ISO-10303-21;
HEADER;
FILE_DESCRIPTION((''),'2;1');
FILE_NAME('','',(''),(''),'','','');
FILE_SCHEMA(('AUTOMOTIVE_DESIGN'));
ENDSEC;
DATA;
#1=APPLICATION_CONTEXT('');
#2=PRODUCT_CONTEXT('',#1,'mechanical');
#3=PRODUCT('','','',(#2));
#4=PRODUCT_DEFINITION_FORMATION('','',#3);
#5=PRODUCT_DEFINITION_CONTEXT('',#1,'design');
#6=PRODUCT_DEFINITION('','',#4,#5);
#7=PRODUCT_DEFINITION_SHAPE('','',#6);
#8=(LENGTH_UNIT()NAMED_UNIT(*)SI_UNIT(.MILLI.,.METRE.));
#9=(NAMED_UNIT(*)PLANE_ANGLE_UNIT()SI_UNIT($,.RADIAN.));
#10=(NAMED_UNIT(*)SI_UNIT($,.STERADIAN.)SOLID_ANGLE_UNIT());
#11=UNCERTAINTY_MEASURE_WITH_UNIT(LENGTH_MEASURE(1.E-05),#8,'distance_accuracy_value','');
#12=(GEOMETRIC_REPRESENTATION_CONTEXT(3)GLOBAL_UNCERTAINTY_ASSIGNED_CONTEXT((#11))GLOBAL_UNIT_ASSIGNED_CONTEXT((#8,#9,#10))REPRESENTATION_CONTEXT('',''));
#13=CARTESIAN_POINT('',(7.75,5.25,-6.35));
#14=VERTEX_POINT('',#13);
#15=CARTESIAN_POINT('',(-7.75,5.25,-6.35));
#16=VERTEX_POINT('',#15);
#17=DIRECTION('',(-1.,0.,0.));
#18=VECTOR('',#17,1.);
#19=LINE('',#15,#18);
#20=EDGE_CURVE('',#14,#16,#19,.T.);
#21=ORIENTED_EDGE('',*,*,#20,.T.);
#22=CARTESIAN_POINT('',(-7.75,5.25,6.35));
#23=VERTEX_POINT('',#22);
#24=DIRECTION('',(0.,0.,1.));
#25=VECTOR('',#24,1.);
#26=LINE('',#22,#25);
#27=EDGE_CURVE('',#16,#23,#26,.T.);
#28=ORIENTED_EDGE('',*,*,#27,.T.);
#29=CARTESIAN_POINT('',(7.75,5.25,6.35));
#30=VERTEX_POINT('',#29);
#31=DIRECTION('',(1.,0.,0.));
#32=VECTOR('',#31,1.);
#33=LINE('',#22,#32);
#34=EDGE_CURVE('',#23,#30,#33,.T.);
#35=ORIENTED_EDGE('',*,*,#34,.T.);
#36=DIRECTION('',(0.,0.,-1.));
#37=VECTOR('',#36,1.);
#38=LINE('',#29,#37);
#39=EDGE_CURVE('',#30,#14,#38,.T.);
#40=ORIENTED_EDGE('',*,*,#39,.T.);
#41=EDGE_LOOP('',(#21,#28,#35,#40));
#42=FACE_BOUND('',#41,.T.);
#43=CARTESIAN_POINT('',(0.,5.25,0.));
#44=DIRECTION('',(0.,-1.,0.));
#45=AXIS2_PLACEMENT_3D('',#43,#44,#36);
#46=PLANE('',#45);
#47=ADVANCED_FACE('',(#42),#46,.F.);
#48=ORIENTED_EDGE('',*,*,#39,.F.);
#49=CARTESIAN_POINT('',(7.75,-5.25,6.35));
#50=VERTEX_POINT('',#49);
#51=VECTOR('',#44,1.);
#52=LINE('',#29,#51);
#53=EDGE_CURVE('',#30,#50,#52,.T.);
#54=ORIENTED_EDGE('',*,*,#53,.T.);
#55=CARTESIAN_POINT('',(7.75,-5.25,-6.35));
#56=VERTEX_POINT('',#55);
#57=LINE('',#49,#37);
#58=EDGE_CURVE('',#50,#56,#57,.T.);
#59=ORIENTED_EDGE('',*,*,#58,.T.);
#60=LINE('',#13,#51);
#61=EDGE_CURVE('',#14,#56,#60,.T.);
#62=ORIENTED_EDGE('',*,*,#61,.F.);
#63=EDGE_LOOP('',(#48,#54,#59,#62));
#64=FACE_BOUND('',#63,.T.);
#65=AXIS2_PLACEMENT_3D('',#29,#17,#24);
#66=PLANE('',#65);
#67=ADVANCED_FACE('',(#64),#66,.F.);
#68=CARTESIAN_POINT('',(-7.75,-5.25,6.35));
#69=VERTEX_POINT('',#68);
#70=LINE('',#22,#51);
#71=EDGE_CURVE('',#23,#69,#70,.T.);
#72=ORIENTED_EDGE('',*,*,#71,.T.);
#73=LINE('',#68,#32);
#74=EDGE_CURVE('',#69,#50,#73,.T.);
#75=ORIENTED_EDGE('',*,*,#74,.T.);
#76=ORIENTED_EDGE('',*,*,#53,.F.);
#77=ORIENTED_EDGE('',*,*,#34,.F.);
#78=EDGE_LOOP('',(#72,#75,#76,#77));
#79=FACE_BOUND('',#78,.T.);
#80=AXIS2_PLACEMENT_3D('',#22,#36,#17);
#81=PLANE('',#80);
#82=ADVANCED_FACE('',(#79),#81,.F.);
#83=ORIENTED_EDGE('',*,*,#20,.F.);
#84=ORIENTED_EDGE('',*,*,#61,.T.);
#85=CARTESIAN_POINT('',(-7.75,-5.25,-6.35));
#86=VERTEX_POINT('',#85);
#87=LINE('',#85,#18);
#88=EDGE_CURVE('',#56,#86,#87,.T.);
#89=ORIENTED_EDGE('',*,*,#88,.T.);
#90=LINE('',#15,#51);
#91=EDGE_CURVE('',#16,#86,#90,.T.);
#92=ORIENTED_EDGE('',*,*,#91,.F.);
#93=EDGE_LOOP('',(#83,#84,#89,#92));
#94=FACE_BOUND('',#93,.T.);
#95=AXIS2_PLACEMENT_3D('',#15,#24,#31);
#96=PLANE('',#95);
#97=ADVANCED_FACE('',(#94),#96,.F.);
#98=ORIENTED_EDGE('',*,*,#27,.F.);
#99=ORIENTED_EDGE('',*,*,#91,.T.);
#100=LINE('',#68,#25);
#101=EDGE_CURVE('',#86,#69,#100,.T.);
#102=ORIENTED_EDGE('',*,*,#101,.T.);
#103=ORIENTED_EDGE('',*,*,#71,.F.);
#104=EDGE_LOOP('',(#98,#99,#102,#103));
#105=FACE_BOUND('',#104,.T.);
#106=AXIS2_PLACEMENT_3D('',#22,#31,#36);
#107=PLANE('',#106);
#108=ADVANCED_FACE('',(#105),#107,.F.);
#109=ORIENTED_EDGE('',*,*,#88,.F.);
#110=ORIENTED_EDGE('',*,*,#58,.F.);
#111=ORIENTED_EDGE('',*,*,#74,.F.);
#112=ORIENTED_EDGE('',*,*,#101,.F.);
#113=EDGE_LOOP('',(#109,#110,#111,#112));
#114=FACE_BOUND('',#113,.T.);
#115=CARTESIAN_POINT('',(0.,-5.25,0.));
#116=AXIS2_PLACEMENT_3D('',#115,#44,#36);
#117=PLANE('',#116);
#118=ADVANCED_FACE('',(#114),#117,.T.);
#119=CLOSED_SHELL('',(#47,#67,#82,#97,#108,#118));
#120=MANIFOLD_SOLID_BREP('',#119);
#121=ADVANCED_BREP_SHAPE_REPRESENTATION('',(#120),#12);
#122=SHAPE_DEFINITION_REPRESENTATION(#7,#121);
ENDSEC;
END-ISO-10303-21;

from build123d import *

# Parameters (mm, degrees)
CROQUIS1_W              = 15.5
CROQUIS1_H              = 12.7
SALIENTE_EXTRUIR1_DEPTH = 5.25


with BuildPart() as part:
    # Croquis1 → Saliente-Extruir1 (new, symmetric)
    with BuildSketch(Plane(origin=(0, 0, 0), x_dir=(1, 0, 0), z_dir=(0, 1, 0))):
        Rectangle(CROQUIS1_W, CROQUIS1_H)
    extrude(amount=SALIENTE_EXTRUIR1_DEPTH, both=True)


solid = part.part
